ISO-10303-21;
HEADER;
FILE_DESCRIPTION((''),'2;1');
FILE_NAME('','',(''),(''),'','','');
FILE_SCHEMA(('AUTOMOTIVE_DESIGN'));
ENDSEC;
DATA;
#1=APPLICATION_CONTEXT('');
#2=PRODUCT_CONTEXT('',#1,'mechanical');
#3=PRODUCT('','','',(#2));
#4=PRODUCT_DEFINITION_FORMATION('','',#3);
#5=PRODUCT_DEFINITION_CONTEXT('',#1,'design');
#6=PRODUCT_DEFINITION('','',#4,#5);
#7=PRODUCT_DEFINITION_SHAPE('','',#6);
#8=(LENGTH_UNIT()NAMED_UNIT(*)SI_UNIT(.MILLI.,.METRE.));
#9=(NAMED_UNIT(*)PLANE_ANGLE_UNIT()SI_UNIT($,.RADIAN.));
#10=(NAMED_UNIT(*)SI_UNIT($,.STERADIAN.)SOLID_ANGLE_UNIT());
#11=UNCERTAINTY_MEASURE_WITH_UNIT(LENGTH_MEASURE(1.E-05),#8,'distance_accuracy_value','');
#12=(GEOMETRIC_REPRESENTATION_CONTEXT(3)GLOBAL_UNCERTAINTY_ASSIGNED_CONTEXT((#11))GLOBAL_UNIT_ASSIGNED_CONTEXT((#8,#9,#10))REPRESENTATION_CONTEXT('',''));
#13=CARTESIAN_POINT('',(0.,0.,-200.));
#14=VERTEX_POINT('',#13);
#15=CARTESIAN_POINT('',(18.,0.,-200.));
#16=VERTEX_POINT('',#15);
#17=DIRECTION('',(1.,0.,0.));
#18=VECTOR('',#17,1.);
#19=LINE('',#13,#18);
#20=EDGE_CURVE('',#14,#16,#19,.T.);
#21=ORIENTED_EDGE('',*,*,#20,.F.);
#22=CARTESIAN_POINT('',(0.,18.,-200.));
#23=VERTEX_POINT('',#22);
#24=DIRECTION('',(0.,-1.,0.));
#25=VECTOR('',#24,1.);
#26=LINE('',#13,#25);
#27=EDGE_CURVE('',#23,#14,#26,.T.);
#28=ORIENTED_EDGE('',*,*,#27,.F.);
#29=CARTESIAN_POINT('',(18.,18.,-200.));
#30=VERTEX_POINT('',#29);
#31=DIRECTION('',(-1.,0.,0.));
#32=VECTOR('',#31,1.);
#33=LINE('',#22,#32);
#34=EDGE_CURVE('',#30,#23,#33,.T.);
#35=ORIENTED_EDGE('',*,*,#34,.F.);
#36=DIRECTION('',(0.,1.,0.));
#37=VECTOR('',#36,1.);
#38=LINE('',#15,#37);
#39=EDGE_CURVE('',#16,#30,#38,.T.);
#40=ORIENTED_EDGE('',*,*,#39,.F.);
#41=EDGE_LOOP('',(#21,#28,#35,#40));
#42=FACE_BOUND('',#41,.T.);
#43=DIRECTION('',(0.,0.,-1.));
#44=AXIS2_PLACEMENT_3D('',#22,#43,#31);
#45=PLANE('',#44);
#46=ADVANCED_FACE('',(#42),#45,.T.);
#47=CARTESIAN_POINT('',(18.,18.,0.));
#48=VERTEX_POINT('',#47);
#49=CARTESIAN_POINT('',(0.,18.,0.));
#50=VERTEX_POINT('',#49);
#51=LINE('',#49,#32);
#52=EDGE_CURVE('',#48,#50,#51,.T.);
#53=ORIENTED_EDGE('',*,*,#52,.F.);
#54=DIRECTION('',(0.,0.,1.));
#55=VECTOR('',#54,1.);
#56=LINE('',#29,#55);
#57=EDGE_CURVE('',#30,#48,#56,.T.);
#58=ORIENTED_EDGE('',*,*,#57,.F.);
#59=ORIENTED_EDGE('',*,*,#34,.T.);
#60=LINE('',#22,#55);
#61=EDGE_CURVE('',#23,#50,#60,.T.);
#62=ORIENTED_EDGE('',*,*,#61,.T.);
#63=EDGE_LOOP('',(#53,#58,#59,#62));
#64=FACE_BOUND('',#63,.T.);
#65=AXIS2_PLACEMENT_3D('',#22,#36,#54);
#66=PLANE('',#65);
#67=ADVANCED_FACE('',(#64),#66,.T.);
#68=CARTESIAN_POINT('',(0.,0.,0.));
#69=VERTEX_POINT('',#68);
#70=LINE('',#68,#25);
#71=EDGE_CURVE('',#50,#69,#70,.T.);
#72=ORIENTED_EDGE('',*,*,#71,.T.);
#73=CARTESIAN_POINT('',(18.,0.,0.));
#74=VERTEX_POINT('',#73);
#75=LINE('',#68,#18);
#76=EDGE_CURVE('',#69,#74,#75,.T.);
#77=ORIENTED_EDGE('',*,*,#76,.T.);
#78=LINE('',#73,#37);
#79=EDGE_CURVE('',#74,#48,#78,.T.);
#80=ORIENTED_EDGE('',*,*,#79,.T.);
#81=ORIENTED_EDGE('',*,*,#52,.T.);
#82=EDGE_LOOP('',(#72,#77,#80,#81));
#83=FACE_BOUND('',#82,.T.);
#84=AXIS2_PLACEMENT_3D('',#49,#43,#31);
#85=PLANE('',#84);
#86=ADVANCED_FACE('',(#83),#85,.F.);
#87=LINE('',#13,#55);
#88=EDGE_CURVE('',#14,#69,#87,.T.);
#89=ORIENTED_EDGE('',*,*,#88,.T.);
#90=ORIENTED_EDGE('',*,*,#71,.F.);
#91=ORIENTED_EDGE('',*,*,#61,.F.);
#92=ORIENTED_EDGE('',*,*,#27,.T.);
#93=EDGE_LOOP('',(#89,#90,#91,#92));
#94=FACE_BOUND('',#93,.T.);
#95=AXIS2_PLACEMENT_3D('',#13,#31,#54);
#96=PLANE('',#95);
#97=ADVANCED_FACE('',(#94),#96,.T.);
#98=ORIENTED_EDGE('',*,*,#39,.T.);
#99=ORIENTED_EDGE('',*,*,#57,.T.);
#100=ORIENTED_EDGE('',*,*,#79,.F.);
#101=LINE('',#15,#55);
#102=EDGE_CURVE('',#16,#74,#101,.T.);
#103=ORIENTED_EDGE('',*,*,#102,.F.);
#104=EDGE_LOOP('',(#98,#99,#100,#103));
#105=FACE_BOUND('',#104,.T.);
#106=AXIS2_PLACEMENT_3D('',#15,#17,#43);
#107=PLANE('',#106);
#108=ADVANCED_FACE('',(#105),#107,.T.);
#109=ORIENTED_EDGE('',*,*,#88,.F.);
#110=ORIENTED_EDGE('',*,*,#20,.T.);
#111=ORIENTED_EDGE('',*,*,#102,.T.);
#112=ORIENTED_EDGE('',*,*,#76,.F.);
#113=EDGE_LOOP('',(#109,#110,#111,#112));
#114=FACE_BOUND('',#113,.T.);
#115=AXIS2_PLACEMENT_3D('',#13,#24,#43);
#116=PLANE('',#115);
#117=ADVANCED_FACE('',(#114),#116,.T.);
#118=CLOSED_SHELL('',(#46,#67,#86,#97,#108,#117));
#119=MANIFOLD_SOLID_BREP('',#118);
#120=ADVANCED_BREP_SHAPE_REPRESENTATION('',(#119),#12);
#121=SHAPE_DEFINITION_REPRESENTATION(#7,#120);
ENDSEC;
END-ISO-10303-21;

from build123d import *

# Parameters (mm, degrees)
ESQUISSE1_W      = 18
ESQUISSE1_H      = 18
EXTRUSION1_DEPTH = 200


with BuildPart() as part:
    # Esquisse1 → Extrusion1 (new body)
    with BuildSketch(Plane.XY):
        with Locations((9, 9)):
            Rectangle(ESQUISSE1_W, ESQUISSE1_H)
    extrude(amount=-EXTRUSION1_DEPTH)


solid = part.part
